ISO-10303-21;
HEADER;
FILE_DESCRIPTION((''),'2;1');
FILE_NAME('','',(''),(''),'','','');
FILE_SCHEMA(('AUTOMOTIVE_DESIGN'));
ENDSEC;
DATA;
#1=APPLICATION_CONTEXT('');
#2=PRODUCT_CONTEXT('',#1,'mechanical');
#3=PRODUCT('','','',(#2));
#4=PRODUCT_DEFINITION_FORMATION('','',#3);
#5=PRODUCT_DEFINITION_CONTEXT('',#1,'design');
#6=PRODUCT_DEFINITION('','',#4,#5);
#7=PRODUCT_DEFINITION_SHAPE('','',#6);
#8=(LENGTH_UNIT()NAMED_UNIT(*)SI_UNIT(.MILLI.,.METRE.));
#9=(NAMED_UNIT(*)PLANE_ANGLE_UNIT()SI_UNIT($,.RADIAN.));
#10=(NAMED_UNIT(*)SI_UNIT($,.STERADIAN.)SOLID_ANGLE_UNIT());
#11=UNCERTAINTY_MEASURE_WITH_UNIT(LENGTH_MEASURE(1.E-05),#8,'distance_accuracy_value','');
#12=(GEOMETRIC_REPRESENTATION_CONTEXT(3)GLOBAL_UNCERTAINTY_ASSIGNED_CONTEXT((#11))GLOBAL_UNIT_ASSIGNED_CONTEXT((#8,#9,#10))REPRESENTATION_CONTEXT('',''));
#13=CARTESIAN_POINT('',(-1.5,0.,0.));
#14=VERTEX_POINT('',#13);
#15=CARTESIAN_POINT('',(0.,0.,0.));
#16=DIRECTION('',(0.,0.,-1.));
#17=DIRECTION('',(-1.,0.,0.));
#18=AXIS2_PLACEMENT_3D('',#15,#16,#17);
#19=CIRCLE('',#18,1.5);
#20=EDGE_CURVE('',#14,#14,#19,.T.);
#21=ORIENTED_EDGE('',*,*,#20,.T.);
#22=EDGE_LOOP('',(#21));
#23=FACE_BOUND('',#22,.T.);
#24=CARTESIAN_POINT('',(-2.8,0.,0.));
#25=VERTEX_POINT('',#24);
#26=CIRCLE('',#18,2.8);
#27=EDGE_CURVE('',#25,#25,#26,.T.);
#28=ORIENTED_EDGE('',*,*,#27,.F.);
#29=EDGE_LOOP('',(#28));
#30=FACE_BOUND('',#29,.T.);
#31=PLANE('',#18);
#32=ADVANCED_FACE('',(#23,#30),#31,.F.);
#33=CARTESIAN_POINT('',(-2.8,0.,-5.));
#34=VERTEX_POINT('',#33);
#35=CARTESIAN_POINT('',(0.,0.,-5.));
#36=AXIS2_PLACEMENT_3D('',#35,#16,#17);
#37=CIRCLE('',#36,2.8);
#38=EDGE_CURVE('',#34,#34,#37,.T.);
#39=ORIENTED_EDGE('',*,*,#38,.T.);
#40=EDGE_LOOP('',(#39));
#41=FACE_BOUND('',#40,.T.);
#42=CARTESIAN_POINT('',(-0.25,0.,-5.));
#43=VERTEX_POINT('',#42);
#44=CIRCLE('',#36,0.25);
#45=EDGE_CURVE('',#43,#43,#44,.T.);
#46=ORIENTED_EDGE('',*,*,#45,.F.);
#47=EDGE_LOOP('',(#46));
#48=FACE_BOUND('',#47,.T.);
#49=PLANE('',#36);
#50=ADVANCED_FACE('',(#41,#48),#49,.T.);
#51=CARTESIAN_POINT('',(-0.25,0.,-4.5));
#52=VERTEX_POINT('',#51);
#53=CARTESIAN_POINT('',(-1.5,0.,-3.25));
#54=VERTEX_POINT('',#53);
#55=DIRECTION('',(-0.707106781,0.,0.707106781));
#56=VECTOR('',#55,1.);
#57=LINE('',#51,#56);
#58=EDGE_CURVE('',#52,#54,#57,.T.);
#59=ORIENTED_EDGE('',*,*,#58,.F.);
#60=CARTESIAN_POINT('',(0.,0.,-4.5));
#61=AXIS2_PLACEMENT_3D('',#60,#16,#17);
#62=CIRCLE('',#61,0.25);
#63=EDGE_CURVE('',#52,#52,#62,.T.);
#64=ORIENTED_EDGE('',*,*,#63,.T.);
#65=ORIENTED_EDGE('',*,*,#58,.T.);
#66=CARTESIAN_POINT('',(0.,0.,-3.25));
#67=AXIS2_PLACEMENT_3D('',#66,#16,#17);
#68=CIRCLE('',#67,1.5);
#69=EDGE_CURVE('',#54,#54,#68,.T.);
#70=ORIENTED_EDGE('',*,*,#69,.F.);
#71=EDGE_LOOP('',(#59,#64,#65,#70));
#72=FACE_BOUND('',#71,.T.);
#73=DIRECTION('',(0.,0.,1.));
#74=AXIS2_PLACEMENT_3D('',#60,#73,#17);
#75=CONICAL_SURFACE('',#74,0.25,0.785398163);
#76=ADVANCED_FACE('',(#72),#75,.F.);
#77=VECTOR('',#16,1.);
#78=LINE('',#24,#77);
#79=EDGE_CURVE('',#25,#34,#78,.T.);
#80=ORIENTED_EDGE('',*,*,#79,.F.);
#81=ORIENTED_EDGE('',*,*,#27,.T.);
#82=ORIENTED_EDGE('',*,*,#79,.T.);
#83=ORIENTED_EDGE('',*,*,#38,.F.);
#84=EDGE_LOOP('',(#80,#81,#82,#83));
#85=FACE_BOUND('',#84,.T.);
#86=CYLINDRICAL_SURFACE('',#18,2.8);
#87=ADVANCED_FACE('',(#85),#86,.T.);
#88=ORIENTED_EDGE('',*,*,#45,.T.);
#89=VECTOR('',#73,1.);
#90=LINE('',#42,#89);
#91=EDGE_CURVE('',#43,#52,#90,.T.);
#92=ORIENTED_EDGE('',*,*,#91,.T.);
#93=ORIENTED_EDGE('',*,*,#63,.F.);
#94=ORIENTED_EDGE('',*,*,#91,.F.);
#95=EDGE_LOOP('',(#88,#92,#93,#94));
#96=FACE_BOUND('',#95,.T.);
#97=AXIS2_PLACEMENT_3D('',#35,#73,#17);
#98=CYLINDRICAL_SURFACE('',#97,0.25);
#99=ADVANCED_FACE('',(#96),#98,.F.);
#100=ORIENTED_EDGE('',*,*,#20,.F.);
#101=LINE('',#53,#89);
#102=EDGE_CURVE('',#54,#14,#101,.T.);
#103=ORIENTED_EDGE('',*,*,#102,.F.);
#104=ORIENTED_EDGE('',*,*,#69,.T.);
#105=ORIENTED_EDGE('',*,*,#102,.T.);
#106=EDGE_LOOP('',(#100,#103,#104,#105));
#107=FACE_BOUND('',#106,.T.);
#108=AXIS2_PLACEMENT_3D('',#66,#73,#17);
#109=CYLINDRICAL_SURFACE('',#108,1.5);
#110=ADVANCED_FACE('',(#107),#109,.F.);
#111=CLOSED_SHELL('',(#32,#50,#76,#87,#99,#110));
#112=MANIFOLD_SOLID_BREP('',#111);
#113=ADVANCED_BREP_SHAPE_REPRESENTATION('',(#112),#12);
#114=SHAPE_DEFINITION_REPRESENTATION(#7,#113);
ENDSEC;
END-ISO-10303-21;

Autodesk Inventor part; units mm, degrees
ref_plane "YZ Plane" through (0, 0, 0) normal (1, 0, 0) x (0, 1, 0)
ref_plane "XZ Plane" through (0, 0, 0) normal (0, 1, 0) x (-1, 0, 0)
ref_plane "XY Plane" through (0, 0, 0) normal (0, 0, 1) x (1, 0, 0)
sketch "Sketch1" plane through (0, 0, 0) normal (0, 1, 0) x (-1, 0, 0)
  line L0 (0, 0) -> (0, -4.4136)
  line L1 (2.8, 0) -> (2.8, -5)
  line L2 (2.8, -5) -> (0.25, -5)
  line L3 (0.25, -5) -> (0.25, -4.5)
  line L4 (0.25, -4.5) -> (1.5, -3.25)
  line L5 (1.5, -3.25) -> (1.5, 0)
  line L6 (1.5, 0) -> (2.8, 0)
  dimension "d0" = 2.8
  dimension "d1" = 1.5
  dimension "d2" = 5
  dimension "d3" = 0.5
  dimension "d4" = 135
  dimension "d5" = 0.25
revolve "Revolution1" add sketch "Sketch1" angle 360 about axis through (0, 0, 0) along (0, 0, -1)
properties part number "simple aperature"
